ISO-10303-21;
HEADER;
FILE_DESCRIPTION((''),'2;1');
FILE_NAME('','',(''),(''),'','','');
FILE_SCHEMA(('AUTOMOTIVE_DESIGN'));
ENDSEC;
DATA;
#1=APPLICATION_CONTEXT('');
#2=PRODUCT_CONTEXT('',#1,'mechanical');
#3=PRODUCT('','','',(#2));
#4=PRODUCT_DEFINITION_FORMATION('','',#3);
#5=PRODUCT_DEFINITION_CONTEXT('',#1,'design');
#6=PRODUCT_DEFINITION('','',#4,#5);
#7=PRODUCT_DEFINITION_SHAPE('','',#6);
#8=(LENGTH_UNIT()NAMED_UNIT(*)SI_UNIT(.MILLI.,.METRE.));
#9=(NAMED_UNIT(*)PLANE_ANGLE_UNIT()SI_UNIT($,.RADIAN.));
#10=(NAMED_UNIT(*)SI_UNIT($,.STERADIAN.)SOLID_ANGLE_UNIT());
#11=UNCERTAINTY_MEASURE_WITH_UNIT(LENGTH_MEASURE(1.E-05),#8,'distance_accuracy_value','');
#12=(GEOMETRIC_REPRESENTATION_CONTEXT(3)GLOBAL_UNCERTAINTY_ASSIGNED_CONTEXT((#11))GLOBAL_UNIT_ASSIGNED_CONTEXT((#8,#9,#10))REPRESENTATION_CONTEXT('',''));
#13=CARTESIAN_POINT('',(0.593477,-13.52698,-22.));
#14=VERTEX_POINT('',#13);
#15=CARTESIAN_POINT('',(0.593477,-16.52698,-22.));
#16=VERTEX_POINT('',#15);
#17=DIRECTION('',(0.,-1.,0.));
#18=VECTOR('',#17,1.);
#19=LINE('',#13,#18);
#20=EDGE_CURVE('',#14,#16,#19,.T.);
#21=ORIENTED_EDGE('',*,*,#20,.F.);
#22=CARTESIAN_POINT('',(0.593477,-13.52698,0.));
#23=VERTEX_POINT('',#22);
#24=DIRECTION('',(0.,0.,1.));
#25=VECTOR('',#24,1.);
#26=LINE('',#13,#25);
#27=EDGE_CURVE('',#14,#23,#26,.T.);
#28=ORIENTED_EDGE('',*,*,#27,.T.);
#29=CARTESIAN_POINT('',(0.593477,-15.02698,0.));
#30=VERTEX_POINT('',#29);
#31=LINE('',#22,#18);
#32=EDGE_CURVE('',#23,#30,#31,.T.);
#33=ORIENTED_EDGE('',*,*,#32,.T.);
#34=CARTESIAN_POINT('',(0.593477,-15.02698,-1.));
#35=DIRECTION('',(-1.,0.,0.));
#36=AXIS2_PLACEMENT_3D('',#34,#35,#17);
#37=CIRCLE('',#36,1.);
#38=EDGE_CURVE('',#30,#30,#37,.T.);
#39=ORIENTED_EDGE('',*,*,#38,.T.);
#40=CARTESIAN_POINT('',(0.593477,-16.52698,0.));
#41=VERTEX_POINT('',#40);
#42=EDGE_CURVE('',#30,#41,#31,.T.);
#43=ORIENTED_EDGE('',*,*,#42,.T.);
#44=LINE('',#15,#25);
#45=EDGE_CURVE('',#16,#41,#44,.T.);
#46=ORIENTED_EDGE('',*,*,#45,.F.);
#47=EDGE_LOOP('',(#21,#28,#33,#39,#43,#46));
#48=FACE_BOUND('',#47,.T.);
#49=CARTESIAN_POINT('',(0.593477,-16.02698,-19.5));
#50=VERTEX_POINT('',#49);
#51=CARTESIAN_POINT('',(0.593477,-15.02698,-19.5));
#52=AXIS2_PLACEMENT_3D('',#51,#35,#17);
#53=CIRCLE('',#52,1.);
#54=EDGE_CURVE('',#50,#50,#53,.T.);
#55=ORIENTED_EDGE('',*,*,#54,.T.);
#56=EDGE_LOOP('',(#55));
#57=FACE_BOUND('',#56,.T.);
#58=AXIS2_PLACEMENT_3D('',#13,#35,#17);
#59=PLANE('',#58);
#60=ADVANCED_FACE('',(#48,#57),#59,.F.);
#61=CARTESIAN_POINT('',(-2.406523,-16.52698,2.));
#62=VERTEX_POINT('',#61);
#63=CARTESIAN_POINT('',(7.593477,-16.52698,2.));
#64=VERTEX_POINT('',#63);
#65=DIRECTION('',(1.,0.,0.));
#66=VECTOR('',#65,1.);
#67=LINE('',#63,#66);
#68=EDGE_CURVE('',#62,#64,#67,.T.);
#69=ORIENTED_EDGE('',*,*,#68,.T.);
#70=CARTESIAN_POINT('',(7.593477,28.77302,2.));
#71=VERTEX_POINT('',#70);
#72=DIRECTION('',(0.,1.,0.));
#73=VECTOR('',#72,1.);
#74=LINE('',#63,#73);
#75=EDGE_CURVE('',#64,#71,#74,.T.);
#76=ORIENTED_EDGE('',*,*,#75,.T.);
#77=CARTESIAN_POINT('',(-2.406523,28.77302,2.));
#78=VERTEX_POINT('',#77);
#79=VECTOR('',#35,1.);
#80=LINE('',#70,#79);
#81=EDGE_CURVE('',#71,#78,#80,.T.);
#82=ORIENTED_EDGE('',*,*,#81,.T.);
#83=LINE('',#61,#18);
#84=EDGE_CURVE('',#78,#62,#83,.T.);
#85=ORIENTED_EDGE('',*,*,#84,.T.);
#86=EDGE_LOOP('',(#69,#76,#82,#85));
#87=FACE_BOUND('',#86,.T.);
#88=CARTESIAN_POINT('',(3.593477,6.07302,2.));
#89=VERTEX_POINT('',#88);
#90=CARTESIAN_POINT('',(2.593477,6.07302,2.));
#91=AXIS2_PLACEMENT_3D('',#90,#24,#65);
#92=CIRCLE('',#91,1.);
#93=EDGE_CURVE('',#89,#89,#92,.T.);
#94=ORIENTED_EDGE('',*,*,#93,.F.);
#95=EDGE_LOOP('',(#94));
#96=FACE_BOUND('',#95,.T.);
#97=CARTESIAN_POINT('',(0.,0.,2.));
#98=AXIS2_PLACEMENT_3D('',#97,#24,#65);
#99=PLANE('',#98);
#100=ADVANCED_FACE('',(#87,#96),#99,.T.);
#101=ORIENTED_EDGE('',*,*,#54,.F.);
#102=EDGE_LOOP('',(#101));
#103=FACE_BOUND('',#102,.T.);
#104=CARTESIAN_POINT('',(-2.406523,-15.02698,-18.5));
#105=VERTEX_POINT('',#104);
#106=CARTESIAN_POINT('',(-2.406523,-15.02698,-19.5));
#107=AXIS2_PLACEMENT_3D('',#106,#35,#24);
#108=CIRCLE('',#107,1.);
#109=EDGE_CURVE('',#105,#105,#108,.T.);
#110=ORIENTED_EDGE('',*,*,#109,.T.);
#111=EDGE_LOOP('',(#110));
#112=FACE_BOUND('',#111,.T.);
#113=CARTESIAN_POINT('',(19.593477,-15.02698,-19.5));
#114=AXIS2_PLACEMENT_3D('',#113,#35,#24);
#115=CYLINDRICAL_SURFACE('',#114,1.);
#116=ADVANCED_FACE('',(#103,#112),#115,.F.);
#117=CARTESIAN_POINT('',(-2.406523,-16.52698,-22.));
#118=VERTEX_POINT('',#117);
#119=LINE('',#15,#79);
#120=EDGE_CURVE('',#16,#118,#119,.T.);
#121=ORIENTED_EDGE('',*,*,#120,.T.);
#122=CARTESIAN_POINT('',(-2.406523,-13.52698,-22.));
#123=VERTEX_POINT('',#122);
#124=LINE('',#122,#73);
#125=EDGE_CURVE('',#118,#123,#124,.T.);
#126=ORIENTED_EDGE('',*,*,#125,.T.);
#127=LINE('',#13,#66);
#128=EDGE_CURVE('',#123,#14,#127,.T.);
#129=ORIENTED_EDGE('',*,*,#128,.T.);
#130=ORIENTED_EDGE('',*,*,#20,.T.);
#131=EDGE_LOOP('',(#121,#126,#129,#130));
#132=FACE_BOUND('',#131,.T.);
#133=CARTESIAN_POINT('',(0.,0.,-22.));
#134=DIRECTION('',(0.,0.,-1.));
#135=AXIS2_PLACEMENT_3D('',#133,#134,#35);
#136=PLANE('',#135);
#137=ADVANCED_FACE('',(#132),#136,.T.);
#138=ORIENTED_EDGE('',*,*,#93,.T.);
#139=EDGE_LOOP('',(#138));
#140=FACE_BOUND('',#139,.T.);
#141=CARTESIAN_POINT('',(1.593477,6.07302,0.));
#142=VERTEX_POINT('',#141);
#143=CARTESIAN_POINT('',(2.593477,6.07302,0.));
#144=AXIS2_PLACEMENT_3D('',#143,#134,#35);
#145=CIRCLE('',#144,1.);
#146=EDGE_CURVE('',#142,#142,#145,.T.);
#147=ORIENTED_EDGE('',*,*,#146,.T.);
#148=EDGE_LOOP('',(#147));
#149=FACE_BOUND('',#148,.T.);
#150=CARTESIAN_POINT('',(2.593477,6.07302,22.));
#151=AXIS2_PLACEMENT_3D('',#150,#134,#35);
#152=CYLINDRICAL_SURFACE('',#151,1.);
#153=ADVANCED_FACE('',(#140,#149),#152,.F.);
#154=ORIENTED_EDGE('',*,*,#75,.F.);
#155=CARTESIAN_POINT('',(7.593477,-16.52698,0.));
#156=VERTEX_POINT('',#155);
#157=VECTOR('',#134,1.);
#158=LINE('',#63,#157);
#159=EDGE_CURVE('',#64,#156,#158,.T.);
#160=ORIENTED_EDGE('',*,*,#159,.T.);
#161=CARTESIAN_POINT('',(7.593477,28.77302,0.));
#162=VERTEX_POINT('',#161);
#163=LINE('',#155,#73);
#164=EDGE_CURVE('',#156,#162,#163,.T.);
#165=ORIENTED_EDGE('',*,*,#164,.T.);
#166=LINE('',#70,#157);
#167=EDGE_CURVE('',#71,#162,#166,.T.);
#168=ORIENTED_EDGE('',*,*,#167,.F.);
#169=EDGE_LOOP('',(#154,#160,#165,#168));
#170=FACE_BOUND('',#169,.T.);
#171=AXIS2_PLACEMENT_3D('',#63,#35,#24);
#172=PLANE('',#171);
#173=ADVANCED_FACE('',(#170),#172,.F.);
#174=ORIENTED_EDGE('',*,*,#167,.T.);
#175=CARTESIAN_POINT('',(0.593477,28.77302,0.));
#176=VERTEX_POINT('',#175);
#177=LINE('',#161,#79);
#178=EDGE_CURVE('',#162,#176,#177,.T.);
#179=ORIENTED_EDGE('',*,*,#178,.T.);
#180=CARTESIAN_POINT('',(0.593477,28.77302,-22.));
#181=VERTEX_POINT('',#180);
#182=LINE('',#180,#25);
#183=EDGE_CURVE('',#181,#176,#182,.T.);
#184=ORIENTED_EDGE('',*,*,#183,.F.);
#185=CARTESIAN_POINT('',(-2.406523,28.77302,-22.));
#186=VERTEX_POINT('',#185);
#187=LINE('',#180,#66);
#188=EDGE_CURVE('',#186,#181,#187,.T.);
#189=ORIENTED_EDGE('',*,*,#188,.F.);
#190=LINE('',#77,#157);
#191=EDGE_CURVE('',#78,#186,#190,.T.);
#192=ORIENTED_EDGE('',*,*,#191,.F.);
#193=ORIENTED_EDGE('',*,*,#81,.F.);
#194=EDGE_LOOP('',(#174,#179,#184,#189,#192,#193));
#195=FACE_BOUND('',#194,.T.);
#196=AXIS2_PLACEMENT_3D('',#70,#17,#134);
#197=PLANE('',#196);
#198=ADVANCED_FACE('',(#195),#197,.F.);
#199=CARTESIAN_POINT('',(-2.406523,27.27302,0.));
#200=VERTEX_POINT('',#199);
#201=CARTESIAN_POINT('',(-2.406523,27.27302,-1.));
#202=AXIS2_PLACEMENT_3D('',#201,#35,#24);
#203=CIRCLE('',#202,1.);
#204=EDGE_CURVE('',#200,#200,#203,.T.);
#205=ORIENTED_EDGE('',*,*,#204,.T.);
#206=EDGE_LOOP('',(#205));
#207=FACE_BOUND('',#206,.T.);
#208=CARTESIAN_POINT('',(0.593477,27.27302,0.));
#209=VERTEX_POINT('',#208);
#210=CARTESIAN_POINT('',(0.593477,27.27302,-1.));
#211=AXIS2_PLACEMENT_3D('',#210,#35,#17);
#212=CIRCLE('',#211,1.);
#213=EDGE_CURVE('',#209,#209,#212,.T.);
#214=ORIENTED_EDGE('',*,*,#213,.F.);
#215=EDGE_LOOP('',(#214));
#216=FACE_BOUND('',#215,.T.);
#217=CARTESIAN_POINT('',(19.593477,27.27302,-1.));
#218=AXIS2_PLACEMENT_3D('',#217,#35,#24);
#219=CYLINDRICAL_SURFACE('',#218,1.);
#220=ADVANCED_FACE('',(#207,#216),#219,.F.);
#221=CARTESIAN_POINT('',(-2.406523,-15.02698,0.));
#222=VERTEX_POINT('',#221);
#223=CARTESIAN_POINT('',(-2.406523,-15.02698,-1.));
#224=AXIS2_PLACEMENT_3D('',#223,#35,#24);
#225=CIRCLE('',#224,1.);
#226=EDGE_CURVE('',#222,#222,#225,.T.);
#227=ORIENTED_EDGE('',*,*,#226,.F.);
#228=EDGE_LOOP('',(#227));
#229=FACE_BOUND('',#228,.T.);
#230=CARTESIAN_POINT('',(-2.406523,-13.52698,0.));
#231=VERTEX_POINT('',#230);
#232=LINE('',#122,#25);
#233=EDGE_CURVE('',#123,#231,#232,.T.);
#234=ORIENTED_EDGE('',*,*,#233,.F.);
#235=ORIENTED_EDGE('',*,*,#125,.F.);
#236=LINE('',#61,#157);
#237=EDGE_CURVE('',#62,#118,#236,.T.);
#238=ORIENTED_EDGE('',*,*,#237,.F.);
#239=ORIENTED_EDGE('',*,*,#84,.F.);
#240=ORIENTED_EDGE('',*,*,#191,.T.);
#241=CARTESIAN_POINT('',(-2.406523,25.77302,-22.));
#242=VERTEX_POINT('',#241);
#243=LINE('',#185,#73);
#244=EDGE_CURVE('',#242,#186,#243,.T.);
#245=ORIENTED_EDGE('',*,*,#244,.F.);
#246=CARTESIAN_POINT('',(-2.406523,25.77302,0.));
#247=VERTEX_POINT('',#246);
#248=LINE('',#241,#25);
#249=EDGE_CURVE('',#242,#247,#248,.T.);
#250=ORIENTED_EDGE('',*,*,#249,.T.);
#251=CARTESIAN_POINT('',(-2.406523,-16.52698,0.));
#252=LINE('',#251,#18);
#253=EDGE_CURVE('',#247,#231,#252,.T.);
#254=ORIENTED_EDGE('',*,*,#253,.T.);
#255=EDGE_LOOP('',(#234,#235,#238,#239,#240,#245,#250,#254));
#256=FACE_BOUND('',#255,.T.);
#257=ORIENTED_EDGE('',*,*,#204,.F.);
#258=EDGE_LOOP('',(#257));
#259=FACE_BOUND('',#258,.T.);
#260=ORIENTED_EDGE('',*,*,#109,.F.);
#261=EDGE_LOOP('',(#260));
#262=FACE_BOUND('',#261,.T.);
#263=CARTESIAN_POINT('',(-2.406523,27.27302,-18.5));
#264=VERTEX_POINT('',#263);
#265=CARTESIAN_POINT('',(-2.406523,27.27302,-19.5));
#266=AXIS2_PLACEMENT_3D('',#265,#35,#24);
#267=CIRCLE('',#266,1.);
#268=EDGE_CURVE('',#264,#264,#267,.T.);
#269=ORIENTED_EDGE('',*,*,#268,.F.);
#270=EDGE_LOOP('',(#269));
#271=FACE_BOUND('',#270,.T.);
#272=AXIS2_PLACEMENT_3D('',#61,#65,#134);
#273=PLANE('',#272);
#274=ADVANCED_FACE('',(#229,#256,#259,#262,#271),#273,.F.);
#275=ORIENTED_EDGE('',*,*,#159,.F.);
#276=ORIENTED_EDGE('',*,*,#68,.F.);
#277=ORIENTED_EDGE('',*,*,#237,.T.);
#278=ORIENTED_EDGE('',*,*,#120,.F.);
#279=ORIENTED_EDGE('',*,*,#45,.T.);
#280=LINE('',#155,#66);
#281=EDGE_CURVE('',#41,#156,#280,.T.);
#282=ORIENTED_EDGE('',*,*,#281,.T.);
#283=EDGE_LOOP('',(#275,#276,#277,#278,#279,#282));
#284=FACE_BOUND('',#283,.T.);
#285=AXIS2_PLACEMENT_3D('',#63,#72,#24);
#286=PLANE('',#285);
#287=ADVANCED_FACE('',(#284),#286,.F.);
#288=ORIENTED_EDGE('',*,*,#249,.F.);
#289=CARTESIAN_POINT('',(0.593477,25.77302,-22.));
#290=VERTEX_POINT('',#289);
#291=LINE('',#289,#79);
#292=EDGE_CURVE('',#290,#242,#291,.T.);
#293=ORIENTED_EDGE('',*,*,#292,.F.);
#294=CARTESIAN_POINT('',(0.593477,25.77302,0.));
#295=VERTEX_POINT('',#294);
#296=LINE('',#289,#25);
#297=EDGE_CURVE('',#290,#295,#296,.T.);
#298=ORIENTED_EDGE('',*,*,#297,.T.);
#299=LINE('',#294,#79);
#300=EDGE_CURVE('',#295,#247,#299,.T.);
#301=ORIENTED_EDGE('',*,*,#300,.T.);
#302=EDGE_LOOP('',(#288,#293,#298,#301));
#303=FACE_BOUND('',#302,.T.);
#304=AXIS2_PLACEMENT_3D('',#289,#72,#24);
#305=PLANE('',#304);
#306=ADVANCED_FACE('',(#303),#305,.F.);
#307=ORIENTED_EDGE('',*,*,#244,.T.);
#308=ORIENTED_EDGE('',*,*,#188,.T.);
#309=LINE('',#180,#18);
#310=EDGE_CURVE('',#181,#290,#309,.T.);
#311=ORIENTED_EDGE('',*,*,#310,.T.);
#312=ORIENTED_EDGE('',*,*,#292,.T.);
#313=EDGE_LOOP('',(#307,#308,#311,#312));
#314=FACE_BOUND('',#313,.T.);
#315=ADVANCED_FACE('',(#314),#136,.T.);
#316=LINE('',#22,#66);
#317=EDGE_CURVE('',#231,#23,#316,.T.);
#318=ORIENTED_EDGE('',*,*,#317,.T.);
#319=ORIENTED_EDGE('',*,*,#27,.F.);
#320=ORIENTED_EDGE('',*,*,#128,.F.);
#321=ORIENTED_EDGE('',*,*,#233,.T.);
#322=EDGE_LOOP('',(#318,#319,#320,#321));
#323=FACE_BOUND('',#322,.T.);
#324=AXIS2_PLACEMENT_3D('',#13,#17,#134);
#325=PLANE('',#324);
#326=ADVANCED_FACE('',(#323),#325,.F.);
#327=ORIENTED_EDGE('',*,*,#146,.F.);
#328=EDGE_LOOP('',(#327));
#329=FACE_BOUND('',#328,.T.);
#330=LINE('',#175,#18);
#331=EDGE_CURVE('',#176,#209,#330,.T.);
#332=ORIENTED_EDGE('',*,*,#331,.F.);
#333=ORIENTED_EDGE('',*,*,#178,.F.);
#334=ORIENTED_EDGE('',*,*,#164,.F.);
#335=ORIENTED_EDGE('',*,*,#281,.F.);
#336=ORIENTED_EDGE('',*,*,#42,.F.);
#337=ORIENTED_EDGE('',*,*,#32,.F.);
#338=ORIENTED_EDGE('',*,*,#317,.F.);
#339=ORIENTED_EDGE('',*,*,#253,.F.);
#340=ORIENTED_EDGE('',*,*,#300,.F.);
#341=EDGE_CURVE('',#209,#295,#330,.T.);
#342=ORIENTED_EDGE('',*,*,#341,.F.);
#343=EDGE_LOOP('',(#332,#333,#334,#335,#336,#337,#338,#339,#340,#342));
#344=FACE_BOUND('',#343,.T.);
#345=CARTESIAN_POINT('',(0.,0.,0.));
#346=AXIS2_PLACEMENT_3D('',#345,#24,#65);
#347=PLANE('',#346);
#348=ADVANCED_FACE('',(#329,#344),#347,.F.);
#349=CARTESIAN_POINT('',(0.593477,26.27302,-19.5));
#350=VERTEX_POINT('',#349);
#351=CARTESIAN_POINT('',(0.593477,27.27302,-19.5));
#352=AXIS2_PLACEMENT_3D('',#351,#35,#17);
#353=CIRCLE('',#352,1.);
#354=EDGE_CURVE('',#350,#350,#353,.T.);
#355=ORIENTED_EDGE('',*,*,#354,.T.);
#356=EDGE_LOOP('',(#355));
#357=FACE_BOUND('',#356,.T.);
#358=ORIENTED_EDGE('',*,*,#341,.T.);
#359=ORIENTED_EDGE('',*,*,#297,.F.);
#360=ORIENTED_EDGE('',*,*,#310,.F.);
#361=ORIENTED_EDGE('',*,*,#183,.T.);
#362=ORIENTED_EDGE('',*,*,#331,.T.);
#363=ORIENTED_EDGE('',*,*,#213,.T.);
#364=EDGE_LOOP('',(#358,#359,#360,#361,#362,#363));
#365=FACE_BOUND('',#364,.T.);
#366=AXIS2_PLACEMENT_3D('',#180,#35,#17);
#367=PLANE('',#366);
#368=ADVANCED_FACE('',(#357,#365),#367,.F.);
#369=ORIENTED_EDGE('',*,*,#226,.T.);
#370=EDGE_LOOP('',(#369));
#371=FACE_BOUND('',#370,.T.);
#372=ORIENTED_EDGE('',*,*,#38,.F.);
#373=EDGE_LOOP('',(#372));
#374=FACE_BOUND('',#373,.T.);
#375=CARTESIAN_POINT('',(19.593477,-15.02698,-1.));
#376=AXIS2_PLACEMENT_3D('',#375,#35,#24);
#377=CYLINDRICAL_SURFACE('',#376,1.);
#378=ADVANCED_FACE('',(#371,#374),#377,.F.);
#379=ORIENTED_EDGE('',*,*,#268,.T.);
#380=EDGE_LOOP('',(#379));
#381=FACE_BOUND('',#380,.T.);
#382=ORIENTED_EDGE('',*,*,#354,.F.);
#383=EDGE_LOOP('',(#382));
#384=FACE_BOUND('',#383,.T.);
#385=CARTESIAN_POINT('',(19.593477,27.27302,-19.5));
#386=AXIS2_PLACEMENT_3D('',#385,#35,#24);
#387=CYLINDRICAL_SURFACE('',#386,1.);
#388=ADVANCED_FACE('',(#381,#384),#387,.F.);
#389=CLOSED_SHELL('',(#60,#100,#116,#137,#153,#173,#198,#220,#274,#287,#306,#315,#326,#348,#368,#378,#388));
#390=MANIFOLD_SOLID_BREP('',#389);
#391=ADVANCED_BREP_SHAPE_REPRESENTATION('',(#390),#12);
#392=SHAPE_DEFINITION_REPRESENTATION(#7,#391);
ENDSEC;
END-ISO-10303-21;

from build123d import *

# Parameters (mm, degrees)
SKETCH1_W           = 10
SKETCH1_H           = 45.3
BOSS_EXTRUDE2_DEPTH = 2
SKETCH2_W           = 3
SKETCH2_H           = 3
BOSS_EXTRUDE3_DEPTH = 22
SKETCH3_R           = 1
CUT_EXTRUDE1_DEPTH  = 22
SKETCH4_R           = 1
CUT_EXTRUDE2_DEPTH  = 22


with BuildPart() as part:
    # Sketch1 → Boss-Extrude2 (new body)
    with BuildSketch(Plane.XY):
        with Locations((2.593477414, 6.123019747)):
            Rectangle(SKETCH1_W, SKETCH1_H)
    extrude(amount=BOSS_EXTRUDE2_DEPTH)

    # Sketch2 → Boss-Extrude3 (add)
    with BuildSketch(Plane(origin=(0, 0, 0), x_dir=(-1, 0, 0), z_dir=(0, 0, -1))):
        with Locations((0.906522586, 27.273019747)):
            Rectangle(SKETCH2_W, SKETCH2_H)
        with Locations((0.906522586, -15.026980253)):
            Rectangle(SKETCH2_W, SKETCH2_H)
    extrude(amount=BOSS_EXTRUDE3_DEPTH)

    # Sketch3 → Cut-Extrude1 (cut)
    with BuildSketch(Plane.ZY.offset(2.406522586)):
        with Locations((-19.5, 27.273019747)):
            Circle(SKETCH3_R)
        with Locations((-1, 27.273019747)):
            Circle(SKETCH3_R)
        with Locations((-1, -15.026980253)):
            Circle(SKETCH3_R)
        with Locations((-19.5, -15.026980253)):
            Circle(SKETCH3_R)
    extrude(amount=-CUT_EXTRUDE1_DEPTH, mode=Mode.SUBTRACT)

    # Sketch4 → Cut-Extrude2 (cut)
    with BuildSketch(Plane(origin=(0, 0, 0), x_dir=(-1, 0, 0), z_dir=(0, 0, -1))):
        with Locations((-2.593477414, 6.073019747)):
            Circle(SKETCH4_R)
    extrude(amount=-CUT_EXTRUDE2_DEPTH, mode=Mode.SUBTRACT)


solid = part.part
